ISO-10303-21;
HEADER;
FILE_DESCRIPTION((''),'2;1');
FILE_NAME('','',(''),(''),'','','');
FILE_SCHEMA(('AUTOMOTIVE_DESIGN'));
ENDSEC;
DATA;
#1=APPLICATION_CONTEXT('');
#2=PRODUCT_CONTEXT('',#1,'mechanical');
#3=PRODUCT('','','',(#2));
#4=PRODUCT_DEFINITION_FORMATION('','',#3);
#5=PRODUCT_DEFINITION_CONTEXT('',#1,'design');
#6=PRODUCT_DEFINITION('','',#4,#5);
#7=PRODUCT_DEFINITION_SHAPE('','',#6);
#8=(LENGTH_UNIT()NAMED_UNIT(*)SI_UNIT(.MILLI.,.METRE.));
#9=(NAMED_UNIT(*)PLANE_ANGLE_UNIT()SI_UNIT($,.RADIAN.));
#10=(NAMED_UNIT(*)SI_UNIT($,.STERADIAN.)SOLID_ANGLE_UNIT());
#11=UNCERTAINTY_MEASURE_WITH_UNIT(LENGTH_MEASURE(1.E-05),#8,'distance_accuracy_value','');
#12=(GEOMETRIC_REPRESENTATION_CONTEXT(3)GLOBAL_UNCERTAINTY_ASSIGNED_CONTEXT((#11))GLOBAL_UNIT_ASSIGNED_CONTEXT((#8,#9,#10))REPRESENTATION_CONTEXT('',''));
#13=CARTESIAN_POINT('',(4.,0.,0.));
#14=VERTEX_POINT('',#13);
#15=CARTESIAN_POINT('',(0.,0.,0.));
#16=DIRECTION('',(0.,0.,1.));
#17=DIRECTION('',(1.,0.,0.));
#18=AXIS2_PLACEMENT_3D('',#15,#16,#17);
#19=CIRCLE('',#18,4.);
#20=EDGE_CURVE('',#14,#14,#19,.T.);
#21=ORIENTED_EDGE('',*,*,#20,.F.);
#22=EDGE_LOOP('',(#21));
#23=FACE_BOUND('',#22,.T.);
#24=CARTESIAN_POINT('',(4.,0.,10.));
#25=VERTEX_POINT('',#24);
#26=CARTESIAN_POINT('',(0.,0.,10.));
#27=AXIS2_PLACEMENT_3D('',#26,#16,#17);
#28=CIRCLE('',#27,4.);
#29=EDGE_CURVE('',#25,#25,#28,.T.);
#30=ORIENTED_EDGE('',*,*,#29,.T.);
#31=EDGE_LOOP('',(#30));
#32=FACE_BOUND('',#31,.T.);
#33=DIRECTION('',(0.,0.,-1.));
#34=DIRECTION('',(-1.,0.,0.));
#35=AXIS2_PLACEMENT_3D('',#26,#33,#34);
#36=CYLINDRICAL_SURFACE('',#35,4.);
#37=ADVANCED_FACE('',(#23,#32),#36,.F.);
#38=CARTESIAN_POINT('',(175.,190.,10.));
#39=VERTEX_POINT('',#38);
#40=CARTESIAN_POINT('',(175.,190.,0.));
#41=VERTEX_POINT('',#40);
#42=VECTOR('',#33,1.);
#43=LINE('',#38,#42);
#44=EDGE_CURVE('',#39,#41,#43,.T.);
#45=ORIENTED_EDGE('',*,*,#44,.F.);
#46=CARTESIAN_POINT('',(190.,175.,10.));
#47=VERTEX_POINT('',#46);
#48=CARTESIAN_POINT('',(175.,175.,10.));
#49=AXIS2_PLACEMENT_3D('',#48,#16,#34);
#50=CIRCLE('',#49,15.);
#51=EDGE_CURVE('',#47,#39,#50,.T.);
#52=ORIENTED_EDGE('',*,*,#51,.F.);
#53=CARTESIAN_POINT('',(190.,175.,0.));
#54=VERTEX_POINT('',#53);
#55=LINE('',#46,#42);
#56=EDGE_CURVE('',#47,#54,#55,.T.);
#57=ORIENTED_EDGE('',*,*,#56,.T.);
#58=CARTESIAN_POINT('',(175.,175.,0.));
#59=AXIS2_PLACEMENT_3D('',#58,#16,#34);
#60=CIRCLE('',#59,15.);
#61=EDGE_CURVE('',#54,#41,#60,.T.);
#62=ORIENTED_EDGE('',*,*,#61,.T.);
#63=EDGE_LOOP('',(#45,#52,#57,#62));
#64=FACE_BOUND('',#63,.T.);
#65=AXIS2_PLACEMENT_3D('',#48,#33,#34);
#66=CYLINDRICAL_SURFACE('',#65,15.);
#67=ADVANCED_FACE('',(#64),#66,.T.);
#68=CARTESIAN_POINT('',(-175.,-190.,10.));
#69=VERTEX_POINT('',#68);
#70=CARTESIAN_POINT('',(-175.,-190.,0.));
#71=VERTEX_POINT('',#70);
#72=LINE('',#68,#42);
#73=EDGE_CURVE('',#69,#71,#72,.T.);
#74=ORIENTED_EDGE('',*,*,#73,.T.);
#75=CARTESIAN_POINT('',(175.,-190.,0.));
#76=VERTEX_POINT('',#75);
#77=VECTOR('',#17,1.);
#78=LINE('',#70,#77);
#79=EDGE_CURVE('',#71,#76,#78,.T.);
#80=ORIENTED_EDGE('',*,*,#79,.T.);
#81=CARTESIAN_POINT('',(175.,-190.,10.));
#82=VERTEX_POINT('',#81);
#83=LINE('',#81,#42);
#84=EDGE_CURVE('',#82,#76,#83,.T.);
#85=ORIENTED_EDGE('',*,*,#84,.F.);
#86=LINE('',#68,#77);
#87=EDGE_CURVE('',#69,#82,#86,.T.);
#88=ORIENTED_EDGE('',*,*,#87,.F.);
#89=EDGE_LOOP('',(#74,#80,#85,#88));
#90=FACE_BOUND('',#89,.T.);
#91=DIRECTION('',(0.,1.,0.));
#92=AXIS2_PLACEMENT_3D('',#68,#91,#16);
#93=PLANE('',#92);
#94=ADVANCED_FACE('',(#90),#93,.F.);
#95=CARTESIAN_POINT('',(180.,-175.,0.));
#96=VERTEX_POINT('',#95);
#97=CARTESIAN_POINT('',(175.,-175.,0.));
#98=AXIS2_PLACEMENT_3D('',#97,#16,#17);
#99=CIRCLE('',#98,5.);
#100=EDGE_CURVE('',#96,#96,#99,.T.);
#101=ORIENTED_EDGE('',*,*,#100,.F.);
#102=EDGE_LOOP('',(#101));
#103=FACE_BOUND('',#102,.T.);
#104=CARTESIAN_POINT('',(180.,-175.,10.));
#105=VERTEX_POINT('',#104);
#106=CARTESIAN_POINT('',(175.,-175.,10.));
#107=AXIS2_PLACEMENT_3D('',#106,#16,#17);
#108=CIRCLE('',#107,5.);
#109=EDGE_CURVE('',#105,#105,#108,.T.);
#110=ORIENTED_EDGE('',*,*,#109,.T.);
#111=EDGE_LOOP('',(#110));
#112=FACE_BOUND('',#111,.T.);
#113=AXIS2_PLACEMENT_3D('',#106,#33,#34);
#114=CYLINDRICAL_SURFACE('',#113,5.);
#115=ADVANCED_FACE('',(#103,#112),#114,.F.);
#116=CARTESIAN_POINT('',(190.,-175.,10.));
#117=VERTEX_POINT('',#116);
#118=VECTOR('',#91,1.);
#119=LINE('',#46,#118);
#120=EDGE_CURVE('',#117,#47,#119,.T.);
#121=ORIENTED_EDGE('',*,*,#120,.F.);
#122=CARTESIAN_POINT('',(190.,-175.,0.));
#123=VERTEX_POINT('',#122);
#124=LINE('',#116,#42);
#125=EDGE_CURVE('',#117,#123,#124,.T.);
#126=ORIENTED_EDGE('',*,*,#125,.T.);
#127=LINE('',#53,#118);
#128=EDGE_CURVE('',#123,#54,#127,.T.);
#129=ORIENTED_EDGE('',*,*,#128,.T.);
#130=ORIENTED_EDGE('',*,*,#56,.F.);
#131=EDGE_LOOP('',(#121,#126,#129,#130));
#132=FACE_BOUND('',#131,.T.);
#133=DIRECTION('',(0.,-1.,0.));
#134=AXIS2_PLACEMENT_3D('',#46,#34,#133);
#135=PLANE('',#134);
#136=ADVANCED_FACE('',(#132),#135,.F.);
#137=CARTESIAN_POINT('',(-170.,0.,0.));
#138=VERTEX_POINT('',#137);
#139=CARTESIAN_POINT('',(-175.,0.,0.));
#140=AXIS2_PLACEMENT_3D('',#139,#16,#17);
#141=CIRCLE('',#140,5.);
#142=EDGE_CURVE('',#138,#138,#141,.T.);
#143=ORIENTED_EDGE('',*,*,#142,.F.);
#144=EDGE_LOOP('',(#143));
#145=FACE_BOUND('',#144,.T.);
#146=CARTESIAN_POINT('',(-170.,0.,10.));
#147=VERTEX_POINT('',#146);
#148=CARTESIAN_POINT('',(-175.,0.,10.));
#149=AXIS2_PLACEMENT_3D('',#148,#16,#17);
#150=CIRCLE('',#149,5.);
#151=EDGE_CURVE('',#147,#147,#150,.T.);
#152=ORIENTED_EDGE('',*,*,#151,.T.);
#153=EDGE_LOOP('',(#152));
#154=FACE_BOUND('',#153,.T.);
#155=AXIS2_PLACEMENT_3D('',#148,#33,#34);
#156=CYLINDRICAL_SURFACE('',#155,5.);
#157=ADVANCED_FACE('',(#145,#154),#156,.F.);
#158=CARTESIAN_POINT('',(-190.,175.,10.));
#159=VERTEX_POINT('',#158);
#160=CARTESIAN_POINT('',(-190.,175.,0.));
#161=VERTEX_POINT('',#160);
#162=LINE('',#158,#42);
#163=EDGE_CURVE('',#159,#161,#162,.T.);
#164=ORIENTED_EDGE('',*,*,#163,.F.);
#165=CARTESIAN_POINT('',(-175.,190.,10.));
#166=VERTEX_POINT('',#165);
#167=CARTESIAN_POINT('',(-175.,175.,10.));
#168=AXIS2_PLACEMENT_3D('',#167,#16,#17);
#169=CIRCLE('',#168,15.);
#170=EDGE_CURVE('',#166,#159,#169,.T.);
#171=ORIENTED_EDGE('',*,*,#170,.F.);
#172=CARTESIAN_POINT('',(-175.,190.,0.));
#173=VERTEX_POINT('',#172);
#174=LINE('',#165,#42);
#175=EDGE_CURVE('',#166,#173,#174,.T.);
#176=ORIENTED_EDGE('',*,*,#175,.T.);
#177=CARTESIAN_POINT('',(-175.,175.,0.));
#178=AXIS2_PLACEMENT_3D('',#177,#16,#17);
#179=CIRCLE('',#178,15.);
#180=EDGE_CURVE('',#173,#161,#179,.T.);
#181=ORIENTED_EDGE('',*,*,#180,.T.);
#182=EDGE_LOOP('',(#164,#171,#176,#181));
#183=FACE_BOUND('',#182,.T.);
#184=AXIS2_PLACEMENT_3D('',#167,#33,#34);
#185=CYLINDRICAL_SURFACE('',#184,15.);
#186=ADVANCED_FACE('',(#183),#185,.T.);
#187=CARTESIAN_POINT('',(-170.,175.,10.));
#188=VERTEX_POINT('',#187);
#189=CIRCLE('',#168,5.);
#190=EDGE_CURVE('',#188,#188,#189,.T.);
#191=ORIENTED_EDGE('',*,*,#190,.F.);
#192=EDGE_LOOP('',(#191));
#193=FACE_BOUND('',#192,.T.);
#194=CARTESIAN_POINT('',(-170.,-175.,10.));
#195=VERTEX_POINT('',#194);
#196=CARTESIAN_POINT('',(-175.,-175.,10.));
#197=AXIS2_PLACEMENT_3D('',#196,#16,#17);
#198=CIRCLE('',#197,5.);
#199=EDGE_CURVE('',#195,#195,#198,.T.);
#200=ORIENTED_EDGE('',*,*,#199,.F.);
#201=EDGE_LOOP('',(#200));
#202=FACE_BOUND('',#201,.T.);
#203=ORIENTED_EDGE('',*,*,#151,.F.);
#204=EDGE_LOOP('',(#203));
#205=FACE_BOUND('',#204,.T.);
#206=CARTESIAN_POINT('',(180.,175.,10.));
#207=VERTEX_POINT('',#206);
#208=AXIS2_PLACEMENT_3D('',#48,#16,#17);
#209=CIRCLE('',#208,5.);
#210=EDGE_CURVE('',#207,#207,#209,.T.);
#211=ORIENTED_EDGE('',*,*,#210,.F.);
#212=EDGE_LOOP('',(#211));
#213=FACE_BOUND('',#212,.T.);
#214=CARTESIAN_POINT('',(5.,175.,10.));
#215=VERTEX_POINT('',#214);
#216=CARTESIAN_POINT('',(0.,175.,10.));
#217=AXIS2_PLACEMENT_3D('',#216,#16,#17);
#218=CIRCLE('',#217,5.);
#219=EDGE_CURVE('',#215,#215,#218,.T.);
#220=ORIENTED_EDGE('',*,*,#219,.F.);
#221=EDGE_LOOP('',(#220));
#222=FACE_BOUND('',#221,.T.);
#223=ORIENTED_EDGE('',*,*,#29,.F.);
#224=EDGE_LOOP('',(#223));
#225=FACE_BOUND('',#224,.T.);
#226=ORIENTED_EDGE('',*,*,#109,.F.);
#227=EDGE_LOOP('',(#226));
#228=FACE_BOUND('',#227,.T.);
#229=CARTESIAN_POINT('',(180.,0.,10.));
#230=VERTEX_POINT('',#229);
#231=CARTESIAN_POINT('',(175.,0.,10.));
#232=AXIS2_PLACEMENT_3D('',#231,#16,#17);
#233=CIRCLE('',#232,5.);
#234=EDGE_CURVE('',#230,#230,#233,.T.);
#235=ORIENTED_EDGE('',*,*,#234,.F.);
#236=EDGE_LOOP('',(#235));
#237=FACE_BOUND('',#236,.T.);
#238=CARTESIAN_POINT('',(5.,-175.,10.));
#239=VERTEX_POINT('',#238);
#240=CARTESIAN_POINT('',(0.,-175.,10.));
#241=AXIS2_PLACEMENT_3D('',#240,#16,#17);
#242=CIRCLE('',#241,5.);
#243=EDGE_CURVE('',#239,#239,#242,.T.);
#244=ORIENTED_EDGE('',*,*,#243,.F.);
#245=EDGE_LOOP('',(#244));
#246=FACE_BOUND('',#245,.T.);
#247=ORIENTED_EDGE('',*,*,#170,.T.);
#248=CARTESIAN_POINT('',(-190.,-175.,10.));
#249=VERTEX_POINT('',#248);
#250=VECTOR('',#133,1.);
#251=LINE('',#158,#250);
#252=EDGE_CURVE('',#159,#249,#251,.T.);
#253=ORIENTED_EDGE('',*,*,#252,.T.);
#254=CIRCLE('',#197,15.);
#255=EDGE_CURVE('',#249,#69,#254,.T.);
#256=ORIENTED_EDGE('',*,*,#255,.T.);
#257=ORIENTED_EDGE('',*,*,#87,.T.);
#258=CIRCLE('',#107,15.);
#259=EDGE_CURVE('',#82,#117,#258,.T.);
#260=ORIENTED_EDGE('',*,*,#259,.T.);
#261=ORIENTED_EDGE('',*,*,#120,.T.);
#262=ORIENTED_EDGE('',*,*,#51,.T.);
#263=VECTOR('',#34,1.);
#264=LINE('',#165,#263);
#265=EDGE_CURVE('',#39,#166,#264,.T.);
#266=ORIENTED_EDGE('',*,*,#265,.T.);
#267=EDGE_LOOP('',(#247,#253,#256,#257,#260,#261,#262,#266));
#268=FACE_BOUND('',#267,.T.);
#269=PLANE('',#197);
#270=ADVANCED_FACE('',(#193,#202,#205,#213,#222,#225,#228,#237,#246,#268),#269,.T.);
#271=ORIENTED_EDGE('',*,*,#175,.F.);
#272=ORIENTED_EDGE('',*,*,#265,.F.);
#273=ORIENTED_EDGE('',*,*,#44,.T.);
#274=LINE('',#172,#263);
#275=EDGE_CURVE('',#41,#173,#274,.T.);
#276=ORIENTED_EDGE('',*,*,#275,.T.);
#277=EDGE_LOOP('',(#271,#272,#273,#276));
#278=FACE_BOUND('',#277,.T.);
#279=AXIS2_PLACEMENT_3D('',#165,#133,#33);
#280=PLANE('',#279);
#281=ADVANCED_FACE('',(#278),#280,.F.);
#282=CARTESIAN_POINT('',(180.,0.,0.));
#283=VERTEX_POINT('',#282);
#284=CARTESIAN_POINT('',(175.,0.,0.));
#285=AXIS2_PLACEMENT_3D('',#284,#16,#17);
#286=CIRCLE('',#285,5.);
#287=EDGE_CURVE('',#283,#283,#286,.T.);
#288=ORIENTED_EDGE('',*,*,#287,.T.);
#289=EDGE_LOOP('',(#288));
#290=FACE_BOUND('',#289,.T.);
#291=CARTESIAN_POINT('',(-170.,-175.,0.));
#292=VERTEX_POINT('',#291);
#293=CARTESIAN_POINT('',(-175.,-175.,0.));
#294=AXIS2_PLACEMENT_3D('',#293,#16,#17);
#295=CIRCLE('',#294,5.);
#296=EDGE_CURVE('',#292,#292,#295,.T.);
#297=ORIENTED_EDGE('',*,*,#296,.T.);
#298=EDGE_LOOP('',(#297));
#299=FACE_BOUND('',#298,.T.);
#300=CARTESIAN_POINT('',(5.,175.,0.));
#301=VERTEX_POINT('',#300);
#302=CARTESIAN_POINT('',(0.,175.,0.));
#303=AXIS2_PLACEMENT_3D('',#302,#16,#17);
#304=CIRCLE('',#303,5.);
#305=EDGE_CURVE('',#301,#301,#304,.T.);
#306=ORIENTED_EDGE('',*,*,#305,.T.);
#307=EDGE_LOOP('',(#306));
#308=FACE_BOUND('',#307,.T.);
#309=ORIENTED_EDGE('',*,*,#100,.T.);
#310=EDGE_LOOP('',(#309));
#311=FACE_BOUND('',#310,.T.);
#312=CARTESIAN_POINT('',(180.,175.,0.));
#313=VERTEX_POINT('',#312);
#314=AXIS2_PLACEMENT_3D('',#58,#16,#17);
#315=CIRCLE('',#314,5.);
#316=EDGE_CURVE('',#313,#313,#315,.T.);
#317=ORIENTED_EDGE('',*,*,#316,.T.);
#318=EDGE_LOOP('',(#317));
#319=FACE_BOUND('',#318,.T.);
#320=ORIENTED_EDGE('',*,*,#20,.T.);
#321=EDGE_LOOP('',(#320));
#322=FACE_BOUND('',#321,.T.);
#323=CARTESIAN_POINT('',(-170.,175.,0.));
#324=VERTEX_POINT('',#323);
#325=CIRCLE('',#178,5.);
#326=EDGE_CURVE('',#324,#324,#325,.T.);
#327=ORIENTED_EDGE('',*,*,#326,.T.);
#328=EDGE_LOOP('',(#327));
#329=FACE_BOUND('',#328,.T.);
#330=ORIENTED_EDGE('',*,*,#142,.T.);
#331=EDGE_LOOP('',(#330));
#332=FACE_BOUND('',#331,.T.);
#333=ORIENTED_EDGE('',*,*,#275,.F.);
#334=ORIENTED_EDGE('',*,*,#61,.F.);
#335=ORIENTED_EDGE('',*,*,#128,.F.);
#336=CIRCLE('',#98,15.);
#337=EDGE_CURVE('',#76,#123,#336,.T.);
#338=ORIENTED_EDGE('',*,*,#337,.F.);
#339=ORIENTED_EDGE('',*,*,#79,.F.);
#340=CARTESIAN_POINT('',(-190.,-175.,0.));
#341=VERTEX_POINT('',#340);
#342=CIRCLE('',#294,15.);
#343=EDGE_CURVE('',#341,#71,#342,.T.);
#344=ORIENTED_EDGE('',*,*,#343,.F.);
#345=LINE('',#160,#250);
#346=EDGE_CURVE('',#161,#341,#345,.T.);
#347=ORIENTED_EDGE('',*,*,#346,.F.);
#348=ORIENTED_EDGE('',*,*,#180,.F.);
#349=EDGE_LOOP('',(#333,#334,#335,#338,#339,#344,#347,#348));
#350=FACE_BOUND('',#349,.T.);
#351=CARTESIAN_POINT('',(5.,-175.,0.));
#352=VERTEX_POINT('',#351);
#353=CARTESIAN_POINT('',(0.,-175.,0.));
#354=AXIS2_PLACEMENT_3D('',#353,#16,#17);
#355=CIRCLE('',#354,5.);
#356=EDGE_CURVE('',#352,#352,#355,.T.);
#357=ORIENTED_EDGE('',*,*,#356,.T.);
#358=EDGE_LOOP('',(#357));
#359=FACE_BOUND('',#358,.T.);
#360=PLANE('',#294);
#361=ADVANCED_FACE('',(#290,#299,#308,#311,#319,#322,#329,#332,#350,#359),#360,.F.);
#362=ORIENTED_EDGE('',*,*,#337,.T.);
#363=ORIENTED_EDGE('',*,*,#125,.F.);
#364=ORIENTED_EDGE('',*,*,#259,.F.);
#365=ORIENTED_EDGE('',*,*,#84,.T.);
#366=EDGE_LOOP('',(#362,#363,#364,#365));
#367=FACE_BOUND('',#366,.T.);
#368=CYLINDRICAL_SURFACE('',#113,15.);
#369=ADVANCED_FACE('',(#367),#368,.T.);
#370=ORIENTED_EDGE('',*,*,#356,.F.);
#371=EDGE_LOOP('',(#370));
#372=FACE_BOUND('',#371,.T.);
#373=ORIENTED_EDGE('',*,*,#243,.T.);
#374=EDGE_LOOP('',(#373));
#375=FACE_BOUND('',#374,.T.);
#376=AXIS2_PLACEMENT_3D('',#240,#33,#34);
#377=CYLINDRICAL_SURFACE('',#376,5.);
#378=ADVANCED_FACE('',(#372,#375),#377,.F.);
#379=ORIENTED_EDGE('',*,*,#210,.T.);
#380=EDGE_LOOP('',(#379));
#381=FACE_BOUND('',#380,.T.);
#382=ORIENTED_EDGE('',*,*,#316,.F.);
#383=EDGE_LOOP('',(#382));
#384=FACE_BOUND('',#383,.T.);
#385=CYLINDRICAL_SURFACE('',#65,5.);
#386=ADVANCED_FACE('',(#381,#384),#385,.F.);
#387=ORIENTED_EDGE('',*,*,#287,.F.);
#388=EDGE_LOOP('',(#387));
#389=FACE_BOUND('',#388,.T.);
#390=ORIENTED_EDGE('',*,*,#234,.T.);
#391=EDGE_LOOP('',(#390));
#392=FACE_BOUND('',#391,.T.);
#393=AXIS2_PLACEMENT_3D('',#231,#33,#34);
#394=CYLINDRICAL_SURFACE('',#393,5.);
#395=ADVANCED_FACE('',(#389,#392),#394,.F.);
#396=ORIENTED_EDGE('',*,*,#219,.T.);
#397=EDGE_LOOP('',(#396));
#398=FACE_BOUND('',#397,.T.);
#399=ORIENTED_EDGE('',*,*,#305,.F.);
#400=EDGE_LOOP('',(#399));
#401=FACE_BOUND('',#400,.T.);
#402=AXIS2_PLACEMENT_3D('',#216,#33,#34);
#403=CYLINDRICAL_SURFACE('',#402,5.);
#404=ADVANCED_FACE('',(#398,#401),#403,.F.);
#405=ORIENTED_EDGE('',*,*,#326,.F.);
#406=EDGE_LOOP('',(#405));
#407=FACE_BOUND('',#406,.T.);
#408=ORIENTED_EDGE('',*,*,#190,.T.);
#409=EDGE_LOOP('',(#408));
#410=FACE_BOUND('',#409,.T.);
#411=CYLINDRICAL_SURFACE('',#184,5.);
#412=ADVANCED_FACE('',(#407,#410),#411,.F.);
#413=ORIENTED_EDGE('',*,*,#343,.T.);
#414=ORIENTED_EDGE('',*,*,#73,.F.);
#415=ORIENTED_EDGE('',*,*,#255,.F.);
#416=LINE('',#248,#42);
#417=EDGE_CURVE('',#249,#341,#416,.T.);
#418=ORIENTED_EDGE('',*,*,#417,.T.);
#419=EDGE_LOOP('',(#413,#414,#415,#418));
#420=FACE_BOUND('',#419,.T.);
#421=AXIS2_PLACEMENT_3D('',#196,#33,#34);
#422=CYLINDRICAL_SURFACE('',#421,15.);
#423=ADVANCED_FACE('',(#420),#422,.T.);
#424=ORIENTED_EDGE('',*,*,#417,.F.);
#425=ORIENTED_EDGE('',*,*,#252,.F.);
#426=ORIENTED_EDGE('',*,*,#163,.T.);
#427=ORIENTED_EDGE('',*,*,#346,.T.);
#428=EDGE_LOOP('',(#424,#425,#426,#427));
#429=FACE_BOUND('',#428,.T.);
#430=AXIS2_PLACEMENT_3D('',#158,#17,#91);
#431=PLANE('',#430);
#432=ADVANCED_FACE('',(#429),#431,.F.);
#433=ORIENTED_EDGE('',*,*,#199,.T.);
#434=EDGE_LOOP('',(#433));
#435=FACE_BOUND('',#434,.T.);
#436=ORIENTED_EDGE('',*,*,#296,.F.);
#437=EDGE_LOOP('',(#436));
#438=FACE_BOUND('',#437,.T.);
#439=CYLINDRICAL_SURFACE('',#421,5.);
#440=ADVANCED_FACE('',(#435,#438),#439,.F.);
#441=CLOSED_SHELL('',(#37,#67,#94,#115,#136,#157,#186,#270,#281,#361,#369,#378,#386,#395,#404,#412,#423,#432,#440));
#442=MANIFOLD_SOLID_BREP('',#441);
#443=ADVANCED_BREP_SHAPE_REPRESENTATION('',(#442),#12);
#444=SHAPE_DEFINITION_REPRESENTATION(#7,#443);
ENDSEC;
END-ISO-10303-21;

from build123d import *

# Parameters (mm, degrees)
SKETCH2_R           = 5
SKETCH2_R_2         = 4
BOSS_EXTRUDE1_DEPTH = 10


with BuildPart() as part:
    # Sketch2 → Boss-Extrude1 (new body)
    with BuildSketch(Plane.XY):
        with BuildLine():
            Line((-175, 190), (175, 190))
            ThreePointArc((175, 190), (185.606601718, 185.606601718), (190, 175))
            Line((190, 175), (190, -175))
            ThreePointArc((190, -175), (185.606601718, -185.606601718), (175, -190))
            Line((175, -190), (-175, -190))
            ThreePointArc((-175, -190), (-185.606601718, -185.606601718), (-190, -175))
            Line((-190, -175), (-190, 175))
            ThreePointArc((-190, 175), (-185.606601718, 185.606601718), (-175, 190))
        make_face()
        with Locations((-175, 175)):
            Circle(SKETCH2_R, mode=Mode.SUBTRACT)
        with Locations((0, 175)):
            Circle(SKETCH2_R, mode=Mode.SUBTRACT)
        with Locations((175, 175)):
            Circle(SKETCH2_R, mode=Mode.SUBTRACT)
        with Locations((175, 0)):
            Circle(SKETCH2_R, mode=Mode.SUBTRACT)
        with Locations((-175, 0)):
            Circle(SKETCH2_R, mode=Mode.SUBTRACT)
        with Locations((-175, -175)):
            Circle(SKETCH2_R, mode=Mode.SUBTRACT)
        with Locations((0, -175)):
            Circle(SKETCH2_R, mode=Mode.SUBTRACT)
        with Locations((175, -175)):
            Circle(SKETCH2_R, mode=Mode.SUBTRACT)
        Circle(SKETCH2_R_2, mode=Mode.SUBTRACT)
    extrude(amount=BOSS_EXTRUDE1_DEPTH)


solid = part.part
